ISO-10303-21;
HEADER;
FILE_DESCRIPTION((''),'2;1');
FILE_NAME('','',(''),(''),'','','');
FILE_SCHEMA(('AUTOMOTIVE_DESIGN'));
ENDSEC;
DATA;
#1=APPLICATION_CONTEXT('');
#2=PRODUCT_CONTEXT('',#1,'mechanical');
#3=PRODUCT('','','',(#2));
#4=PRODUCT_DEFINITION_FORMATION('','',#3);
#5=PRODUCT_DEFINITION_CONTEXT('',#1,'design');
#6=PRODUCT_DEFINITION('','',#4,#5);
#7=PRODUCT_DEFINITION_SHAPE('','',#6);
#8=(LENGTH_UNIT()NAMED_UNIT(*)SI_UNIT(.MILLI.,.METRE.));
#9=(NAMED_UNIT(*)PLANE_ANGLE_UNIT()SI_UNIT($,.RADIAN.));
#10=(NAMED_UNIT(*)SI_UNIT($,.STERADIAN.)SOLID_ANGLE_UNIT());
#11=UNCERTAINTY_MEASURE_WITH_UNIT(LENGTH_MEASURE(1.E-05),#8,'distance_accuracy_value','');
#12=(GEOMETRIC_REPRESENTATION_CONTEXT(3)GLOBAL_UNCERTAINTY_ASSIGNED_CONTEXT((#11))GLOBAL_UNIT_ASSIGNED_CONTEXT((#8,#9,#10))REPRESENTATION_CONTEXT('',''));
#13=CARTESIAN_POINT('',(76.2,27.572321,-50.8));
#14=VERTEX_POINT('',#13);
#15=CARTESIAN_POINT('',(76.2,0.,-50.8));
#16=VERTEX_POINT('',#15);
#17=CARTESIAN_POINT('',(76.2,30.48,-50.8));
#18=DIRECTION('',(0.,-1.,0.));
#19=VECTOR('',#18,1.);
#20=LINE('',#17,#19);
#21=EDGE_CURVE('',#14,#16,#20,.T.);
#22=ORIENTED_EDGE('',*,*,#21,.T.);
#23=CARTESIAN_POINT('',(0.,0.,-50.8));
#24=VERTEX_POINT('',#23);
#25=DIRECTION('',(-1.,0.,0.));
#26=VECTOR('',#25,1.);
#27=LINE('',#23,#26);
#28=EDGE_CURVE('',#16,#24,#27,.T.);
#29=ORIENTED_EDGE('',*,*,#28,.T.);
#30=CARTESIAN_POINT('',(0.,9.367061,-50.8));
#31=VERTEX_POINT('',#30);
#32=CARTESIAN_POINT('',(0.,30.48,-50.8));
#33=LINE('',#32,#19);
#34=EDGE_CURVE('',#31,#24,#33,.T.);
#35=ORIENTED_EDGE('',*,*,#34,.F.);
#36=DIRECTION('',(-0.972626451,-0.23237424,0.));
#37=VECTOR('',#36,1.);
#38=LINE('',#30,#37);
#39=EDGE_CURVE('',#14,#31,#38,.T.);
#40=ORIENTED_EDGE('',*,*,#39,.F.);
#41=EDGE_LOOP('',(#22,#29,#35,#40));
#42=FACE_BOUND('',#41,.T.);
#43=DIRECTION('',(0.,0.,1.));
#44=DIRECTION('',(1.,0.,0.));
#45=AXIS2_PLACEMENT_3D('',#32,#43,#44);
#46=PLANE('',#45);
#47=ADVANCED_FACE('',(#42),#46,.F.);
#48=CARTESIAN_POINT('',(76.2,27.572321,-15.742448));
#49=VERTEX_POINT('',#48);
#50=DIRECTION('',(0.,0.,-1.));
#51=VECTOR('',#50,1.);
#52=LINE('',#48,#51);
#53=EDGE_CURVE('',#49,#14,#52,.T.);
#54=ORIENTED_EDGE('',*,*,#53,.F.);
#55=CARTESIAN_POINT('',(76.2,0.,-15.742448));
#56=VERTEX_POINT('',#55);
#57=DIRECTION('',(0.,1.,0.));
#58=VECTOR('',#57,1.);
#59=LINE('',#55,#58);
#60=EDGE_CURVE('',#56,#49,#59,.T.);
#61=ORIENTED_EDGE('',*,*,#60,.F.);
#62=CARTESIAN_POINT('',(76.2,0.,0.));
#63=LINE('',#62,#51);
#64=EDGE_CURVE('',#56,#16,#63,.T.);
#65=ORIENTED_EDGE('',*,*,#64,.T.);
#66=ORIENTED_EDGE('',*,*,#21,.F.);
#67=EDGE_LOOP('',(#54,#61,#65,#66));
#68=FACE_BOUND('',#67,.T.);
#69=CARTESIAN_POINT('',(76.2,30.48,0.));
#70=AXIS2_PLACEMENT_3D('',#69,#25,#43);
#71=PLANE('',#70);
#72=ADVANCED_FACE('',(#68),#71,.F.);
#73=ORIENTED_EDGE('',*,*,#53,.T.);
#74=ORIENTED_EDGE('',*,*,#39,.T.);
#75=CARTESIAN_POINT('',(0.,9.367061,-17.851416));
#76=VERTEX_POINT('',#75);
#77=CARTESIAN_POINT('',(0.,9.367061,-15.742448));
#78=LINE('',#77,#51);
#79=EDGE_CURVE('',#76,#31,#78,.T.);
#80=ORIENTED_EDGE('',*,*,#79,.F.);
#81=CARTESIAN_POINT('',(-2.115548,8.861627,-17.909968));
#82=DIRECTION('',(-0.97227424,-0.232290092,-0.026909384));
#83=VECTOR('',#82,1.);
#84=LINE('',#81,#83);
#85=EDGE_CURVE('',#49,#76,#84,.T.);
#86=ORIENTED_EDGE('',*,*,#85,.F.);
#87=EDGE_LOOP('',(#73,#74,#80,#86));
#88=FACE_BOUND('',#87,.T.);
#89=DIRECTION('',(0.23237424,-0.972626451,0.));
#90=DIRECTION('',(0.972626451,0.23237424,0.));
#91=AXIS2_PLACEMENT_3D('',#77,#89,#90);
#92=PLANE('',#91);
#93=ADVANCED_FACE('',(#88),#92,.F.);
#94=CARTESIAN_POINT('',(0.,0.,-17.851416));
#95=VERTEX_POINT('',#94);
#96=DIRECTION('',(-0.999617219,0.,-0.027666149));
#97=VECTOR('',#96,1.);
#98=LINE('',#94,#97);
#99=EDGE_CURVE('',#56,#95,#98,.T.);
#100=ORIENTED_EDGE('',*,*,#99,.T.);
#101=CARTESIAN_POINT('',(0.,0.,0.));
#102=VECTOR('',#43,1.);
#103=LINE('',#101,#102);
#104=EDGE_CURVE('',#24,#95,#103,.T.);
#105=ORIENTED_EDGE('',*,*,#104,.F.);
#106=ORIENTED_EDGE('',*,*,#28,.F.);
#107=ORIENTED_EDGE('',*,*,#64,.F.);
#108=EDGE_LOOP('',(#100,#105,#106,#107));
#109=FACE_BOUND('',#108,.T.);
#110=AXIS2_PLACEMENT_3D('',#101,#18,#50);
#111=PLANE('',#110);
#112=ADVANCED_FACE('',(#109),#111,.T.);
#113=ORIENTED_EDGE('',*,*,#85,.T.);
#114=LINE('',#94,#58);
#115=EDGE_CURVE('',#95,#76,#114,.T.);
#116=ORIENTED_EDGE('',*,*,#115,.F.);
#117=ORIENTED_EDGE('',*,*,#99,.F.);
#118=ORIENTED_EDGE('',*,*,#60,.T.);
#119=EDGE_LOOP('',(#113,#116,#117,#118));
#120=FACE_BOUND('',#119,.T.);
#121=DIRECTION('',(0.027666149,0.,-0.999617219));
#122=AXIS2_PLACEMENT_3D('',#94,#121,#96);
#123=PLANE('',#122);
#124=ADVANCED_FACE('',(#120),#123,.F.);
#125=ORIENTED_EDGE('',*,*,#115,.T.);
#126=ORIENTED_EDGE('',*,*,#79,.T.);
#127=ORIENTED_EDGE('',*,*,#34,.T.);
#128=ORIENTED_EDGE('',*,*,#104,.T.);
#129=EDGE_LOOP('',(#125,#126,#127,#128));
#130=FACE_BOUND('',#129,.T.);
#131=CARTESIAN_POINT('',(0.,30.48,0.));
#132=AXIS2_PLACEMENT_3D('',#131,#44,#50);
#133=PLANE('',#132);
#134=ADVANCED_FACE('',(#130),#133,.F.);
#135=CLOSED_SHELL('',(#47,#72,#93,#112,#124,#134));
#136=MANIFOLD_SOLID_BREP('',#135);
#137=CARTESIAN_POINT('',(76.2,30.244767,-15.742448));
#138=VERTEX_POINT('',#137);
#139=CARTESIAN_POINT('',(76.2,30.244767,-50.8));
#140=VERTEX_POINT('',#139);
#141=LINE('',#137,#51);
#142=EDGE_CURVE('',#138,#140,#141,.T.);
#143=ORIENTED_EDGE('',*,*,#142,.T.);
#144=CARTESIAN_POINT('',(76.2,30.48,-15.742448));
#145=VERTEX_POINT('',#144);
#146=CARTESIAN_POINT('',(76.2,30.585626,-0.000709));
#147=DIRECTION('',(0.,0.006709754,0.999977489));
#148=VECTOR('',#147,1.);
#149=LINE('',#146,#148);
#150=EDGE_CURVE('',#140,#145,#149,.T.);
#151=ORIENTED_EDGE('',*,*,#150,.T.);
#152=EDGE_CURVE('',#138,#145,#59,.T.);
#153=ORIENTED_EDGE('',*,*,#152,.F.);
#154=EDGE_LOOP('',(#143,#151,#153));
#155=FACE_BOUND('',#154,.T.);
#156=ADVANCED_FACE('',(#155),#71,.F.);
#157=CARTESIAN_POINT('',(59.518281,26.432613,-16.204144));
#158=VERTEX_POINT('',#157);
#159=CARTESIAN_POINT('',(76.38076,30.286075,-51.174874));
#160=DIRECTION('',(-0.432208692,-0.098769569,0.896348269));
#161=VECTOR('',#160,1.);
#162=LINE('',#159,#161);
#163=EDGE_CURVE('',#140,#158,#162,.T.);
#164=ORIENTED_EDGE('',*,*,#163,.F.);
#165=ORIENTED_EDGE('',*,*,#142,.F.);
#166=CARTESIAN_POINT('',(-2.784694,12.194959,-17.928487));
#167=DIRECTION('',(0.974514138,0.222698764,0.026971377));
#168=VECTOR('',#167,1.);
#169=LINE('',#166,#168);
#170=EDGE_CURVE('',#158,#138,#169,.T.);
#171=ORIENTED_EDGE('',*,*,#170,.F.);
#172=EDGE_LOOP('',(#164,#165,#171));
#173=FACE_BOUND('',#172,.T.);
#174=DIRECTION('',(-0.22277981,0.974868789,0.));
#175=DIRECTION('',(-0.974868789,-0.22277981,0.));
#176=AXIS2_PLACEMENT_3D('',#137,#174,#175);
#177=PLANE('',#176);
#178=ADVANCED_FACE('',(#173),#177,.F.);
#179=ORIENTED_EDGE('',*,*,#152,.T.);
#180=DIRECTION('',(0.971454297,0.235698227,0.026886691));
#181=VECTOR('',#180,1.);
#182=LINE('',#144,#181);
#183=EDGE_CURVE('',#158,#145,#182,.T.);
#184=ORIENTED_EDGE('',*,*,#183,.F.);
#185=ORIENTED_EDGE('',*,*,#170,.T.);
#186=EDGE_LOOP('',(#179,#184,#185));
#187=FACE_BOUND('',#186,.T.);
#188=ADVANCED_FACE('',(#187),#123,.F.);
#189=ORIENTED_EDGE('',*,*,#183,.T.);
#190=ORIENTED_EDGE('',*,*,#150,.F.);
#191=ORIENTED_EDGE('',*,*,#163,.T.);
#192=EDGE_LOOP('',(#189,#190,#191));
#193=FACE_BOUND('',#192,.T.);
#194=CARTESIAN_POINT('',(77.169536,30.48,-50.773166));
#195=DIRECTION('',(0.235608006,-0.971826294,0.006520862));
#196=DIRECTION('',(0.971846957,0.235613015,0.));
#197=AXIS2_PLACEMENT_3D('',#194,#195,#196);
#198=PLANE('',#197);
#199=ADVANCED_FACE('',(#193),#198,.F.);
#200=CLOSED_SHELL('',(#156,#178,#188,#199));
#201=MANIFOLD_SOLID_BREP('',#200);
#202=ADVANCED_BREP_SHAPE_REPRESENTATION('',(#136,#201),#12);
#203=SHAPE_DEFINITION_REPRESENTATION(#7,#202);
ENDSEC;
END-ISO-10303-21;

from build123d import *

# Parameters (mm, degrees)
SKETCH1_W           = 76.2
SKETCH1_H           = 50.8
BOSS_EXTRUDE1_DEPTH = 30.48
CUT_EXTRUDE2_DEPTH  = 97.52
CUT_EXTRUDE3_DEPTH  = 89.016960895
CUT_EXTRUDE7_DEPTH  = 90.244060456


with BuildPart() as part:
    # Sketch1 → Boss-Extrude1 (new body)
    with BuildSketch(Plane(origin=(0, 0, 0), x_dir=(1, 0, 0), z_dir=(0, 1, 0))):
        with Locations((38.1, 25.4)):
            Rectangle(SKETCH1_W, SKETCH1_H)
    extrude(amount=BOSS_EXTRUDE1_DEPTH)

    # Sketch3 → Cut-Extrude2 (cut, through all)
    with BuildSketch(Plane(origin=(0, 30.48, 0), x_dir=(1, 0, 0), z_dir=(0, 1, 0))):
        Polygon((0, 17.851416171), (76.2, 15.742448363), (76.2, 0), (0, 0), align=None)
    extrude(amount=-CUT_EXTRUDE2_DEPTH, mode=Mode.SUBTRACT)

    # Sketch4 → Cut-Extrude3 (cut, through all)
    with BuildSketch(Plane(origin=(0.493690887, 0, -17.837752416), x_dir=(0.9996172188458896, 0, 0.02766614875274357), z_dir=(-0.027666148752743574, 0, 0.9996172188458897))):
        Polygon((75.735299158, 30.48), (-0.493879935, 11.992043419), (-0.493879935, 30.48), align=None)
    extrude(amount=-CUT_EXTRUDE3_DEPTH, mode=Mode.SUBTRACT)

    # Sketch6 → Cut-Extrude7 (cut, through all)
    with BuildSketch(Plane(origin=(0, 0, -50.8), x_dir=(-1, 0, 0), z_dir=(0, 0, -1))):
        Polygon((0, 9.36706147), (-76.2, 27.57232113), (-76.2, 30.244767156), (-0.911909483, 13.03971689), (-0.911909483, 32.31211919), (0, 32.31211919), align=None)
    extrude(amount=-CUT_EXTRUDE7_DEPTH, mode=Mode.SUBTRACT)


with BuildPart() as cut_extrude7_piece_1:
    # of the separate pieces the step leaves, piece 1, a body of its own (cut_extrude7_pieces)
    add(part.part.solids().sort_by_distance((0, 0, -50.8))[0])


with BuildPart() as cut_extrude7_piece_2:
    # of the separate pieces the step leaves, piece 2, a body of its own (cut_extrude7_pieces)
    add(part.part.solids().sort_by_distance((76.2, 30.48, -15.742448363))[0])


solid = Compound([cut_extrude7_piece_1.part, cut_extrude7_piece_2.part])
